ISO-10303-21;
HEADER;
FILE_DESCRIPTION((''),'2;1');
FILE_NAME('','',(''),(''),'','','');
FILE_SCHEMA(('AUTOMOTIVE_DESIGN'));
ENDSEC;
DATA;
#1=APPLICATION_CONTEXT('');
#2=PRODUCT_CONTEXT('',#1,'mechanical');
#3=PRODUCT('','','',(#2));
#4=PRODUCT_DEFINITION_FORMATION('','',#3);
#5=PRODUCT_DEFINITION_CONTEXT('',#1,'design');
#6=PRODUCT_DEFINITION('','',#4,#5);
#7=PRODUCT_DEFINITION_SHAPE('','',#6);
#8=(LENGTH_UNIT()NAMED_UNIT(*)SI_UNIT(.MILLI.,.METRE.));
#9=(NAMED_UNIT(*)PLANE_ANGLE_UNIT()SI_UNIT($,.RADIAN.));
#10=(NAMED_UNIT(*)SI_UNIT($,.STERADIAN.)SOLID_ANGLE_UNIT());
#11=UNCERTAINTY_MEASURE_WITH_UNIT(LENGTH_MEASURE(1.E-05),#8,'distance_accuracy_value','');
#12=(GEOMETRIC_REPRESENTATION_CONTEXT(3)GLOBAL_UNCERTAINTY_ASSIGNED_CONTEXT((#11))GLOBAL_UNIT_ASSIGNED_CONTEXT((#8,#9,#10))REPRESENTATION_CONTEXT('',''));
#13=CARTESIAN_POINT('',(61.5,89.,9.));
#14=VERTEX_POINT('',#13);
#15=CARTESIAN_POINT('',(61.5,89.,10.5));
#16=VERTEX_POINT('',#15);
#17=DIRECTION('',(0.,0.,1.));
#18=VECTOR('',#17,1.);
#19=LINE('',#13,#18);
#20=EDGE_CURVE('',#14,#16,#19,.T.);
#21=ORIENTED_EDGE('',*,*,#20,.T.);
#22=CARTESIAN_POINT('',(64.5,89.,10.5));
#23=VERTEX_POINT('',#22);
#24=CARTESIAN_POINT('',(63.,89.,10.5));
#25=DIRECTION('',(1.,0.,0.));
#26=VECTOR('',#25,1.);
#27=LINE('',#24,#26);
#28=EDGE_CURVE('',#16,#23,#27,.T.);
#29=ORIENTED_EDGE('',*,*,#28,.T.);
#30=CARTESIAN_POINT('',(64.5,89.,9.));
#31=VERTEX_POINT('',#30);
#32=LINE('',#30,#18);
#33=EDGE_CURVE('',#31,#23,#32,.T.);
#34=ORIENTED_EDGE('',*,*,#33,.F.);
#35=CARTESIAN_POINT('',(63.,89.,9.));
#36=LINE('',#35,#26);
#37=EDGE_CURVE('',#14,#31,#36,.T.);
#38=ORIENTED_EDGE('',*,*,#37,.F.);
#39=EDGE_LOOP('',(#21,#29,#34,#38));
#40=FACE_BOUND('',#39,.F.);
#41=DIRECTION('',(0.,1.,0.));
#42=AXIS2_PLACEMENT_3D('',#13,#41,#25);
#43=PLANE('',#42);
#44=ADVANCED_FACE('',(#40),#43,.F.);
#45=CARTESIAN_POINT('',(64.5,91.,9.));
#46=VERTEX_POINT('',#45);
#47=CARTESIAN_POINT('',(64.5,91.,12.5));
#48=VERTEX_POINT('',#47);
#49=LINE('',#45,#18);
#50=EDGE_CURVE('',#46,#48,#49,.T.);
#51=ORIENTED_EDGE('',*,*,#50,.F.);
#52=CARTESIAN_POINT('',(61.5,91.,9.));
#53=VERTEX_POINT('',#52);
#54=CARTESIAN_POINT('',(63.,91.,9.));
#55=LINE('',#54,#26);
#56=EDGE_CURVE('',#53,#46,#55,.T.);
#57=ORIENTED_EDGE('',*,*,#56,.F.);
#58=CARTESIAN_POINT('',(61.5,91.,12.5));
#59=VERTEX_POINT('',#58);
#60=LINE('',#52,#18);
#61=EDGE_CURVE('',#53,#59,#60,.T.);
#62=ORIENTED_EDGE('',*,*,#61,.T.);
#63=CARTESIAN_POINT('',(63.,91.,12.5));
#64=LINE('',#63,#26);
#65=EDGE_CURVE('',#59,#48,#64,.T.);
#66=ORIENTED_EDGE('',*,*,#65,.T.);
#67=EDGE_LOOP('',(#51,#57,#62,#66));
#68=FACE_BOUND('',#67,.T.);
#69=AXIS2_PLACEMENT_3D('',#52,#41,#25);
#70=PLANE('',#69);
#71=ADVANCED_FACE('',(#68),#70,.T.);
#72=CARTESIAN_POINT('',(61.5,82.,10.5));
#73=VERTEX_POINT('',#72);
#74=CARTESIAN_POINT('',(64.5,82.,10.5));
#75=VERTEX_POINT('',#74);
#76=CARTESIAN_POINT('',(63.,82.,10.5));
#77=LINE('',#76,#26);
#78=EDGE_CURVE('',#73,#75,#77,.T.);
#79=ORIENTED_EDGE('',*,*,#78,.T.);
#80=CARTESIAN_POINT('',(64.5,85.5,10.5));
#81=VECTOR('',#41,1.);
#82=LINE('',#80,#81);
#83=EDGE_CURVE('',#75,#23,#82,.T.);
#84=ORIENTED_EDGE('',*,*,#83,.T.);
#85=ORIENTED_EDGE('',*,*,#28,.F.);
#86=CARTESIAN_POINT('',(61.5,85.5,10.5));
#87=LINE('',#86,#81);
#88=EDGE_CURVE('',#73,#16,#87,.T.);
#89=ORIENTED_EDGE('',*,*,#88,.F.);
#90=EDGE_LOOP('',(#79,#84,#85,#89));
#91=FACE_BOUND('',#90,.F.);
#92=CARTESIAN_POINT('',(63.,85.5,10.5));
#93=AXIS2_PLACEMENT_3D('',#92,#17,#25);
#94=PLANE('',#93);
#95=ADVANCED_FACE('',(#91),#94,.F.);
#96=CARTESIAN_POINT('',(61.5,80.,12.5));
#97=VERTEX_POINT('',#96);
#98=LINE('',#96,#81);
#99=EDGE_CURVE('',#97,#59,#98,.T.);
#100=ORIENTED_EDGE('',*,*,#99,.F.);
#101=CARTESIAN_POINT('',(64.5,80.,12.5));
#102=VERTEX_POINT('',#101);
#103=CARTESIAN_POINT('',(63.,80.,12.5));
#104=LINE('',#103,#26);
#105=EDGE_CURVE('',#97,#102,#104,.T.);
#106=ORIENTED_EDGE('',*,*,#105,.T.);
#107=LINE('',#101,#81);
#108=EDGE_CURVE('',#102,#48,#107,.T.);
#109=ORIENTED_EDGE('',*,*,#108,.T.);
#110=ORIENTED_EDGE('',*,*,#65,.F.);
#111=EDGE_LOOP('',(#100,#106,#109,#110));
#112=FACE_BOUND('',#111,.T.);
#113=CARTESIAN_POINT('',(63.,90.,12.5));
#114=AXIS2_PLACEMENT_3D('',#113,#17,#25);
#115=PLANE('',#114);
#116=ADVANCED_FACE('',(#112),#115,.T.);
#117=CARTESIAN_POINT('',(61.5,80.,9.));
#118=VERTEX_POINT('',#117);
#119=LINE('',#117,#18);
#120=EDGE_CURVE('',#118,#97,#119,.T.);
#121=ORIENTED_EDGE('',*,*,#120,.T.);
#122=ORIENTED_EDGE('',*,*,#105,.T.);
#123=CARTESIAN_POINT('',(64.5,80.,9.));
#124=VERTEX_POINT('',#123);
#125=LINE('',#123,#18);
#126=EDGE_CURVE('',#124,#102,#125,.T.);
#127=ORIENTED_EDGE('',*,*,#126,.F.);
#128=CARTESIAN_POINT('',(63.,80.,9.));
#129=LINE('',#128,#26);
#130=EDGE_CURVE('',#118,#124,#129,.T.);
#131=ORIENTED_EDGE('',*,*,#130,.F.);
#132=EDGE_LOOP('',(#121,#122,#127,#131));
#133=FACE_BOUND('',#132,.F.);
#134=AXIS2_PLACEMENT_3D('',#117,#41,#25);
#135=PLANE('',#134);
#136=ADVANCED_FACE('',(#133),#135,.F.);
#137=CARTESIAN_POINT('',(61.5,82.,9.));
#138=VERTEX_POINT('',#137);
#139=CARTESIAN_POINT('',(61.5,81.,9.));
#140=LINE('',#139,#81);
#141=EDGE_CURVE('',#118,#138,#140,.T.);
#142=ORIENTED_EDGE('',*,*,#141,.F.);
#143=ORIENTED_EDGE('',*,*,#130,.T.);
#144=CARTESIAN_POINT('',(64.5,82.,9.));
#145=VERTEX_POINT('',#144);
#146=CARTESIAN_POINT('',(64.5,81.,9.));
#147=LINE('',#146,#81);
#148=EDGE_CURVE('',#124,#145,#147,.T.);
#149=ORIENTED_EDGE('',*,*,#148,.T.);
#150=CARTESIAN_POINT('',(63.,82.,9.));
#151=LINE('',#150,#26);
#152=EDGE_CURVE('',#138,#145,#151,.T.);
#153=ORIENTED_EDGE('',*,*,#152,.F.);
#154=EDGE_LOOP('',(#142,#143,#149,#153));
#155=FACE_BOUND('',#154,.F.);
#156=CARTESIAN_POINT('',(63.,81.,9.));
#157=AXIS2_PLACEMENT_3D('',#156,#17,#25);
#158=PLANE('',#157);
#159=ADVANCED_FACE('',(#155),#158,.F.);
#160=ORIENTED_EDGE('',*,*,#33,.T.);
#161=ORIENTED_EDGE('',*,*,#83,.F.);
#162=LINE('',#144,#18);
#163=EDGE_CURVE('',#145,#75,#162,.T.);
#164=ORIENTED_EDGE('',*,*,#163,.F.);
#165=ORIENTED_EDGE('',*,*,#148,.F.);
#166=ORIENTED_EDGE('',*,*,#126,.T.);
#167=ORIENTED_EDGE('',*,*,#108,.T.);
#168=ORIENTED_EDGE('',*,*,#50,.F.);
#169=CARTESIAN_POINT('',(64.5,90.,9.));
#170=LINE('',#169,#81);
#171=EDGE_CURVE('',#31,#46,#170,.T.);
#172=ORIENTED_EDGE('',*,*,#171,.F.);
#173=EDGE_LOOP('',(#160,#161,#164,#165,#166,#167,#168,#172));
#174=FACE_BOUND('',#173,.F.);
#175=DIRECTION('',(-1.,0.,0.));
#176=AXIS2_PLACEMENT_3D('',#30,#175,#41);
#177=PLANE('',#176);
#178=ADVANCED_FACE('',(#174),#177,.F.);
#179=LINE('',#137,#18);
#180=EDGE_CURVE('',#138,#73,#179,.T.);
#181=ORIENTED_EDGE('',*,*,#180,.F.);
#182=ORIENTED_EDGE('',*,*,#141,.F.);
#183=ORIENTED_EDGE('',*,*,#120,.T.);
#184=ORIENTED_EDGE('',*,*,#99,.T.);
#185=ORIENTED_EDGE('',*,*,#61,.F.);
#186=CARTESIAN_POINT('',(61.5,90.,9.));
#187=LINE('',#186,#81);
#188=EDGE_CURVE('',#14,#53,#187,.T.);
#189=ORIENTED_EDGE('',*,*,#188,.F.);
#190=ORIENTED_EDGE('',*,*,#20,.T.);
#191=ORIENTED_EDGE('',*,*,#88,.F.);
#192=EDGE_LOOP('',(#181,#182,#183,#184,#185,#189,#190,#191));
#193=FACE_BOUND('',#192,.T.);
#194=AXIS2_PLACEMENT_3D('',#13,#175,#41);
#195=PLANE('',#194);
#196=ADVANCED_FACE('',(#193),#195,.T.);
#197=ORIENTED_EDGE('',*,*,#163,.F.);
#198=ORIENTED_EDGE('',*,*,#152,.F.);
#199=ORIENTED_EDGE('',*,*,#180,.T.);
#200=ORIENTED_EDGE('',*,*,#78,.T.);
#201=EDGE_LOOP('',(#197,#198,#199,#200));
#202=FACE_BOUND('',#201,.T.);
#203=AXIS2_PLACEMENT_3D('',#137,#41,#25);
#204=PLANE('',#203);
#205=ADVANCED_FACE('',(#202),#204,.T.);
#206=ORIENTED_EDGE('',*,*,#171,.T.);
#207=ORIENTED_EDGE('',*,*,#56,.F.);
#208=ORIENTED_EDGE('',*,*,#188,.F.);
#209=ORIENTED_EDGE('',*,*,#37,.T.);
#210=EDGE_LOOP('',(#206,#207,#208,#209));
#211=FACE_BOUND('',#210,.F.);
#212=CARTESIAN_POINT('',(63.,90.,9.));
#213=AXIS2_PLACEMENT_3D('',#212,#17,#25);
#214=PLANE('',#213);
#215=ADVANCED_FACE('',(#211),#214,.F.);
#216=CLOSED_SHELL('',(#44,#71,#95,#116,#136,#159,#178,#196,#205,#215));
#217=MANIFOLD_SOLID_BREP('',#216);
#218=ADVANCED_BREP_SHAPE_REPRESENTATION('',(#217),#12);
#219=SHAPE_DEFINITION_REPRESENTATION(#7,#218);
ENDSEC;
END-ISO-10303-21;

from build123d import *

# Parameters (mm, degrees)
BOX028_W     = 3
BOX028_H     = 7
BOX028_DEPTH = 2
BOX029_W     = 3
BOX029_H     = 2
BOX029_DEPTH = 3.5
BOX030_W     = 3
BOX030_H     = 2
BOX030_DEPTH = 3.5


with BuildPart() as ziptie004:
    # Box028 → Box028 (new body)
    with BuildSketch(Plane(origin=(17.5, 39, 10), x_dir=(1, 0, 0), z_dir=(0, 0, 1))):
        with Locations((1.5, 3.5)):
            Rectangle(BOX028_W, BOX028_H)
    extrude(amount=BOX028_DEPTH)


with BuildPart() as ziptie005:
    # Box029 → Box029 (new body)
    with BuildSketch(Plane(origin=(17.5, 46, 8.5), x_dir=(1, 0, 0), z_dir=(0, 0, 1))):
        with Locations((1.5, 1)):
            Rectangle(BOX029_W, BOX029_H)
    extrude(amount=BOX029_DEPTH)


with BuildPart() as main_power_ziptie_ring:
    # Box030 → Box030 (new body)
    with BuildSketch(Plane(origin=(17.5, 37, 8.5), x_dir=(1, 0, 0), z_dir=(0, 0, 1))):
        with Locations((1.5, 1)):
            Rectangle(BOX030_W, BOX030_H)
    extrude(amount=BOX030_DEPTH)

    # Fusion028: union Ziptie004, Ziptie005
    add(ziptie004.part)
    add(ziptie005.part)


with BuildPart() as main_power_ziptie_ring_1:
    # Fusion028 placement: moved
    add(main_power_ziptie_ring.part.moved(Location((44, 43, 0.5))))


solid = main_power_ziptie_ring_1.part
